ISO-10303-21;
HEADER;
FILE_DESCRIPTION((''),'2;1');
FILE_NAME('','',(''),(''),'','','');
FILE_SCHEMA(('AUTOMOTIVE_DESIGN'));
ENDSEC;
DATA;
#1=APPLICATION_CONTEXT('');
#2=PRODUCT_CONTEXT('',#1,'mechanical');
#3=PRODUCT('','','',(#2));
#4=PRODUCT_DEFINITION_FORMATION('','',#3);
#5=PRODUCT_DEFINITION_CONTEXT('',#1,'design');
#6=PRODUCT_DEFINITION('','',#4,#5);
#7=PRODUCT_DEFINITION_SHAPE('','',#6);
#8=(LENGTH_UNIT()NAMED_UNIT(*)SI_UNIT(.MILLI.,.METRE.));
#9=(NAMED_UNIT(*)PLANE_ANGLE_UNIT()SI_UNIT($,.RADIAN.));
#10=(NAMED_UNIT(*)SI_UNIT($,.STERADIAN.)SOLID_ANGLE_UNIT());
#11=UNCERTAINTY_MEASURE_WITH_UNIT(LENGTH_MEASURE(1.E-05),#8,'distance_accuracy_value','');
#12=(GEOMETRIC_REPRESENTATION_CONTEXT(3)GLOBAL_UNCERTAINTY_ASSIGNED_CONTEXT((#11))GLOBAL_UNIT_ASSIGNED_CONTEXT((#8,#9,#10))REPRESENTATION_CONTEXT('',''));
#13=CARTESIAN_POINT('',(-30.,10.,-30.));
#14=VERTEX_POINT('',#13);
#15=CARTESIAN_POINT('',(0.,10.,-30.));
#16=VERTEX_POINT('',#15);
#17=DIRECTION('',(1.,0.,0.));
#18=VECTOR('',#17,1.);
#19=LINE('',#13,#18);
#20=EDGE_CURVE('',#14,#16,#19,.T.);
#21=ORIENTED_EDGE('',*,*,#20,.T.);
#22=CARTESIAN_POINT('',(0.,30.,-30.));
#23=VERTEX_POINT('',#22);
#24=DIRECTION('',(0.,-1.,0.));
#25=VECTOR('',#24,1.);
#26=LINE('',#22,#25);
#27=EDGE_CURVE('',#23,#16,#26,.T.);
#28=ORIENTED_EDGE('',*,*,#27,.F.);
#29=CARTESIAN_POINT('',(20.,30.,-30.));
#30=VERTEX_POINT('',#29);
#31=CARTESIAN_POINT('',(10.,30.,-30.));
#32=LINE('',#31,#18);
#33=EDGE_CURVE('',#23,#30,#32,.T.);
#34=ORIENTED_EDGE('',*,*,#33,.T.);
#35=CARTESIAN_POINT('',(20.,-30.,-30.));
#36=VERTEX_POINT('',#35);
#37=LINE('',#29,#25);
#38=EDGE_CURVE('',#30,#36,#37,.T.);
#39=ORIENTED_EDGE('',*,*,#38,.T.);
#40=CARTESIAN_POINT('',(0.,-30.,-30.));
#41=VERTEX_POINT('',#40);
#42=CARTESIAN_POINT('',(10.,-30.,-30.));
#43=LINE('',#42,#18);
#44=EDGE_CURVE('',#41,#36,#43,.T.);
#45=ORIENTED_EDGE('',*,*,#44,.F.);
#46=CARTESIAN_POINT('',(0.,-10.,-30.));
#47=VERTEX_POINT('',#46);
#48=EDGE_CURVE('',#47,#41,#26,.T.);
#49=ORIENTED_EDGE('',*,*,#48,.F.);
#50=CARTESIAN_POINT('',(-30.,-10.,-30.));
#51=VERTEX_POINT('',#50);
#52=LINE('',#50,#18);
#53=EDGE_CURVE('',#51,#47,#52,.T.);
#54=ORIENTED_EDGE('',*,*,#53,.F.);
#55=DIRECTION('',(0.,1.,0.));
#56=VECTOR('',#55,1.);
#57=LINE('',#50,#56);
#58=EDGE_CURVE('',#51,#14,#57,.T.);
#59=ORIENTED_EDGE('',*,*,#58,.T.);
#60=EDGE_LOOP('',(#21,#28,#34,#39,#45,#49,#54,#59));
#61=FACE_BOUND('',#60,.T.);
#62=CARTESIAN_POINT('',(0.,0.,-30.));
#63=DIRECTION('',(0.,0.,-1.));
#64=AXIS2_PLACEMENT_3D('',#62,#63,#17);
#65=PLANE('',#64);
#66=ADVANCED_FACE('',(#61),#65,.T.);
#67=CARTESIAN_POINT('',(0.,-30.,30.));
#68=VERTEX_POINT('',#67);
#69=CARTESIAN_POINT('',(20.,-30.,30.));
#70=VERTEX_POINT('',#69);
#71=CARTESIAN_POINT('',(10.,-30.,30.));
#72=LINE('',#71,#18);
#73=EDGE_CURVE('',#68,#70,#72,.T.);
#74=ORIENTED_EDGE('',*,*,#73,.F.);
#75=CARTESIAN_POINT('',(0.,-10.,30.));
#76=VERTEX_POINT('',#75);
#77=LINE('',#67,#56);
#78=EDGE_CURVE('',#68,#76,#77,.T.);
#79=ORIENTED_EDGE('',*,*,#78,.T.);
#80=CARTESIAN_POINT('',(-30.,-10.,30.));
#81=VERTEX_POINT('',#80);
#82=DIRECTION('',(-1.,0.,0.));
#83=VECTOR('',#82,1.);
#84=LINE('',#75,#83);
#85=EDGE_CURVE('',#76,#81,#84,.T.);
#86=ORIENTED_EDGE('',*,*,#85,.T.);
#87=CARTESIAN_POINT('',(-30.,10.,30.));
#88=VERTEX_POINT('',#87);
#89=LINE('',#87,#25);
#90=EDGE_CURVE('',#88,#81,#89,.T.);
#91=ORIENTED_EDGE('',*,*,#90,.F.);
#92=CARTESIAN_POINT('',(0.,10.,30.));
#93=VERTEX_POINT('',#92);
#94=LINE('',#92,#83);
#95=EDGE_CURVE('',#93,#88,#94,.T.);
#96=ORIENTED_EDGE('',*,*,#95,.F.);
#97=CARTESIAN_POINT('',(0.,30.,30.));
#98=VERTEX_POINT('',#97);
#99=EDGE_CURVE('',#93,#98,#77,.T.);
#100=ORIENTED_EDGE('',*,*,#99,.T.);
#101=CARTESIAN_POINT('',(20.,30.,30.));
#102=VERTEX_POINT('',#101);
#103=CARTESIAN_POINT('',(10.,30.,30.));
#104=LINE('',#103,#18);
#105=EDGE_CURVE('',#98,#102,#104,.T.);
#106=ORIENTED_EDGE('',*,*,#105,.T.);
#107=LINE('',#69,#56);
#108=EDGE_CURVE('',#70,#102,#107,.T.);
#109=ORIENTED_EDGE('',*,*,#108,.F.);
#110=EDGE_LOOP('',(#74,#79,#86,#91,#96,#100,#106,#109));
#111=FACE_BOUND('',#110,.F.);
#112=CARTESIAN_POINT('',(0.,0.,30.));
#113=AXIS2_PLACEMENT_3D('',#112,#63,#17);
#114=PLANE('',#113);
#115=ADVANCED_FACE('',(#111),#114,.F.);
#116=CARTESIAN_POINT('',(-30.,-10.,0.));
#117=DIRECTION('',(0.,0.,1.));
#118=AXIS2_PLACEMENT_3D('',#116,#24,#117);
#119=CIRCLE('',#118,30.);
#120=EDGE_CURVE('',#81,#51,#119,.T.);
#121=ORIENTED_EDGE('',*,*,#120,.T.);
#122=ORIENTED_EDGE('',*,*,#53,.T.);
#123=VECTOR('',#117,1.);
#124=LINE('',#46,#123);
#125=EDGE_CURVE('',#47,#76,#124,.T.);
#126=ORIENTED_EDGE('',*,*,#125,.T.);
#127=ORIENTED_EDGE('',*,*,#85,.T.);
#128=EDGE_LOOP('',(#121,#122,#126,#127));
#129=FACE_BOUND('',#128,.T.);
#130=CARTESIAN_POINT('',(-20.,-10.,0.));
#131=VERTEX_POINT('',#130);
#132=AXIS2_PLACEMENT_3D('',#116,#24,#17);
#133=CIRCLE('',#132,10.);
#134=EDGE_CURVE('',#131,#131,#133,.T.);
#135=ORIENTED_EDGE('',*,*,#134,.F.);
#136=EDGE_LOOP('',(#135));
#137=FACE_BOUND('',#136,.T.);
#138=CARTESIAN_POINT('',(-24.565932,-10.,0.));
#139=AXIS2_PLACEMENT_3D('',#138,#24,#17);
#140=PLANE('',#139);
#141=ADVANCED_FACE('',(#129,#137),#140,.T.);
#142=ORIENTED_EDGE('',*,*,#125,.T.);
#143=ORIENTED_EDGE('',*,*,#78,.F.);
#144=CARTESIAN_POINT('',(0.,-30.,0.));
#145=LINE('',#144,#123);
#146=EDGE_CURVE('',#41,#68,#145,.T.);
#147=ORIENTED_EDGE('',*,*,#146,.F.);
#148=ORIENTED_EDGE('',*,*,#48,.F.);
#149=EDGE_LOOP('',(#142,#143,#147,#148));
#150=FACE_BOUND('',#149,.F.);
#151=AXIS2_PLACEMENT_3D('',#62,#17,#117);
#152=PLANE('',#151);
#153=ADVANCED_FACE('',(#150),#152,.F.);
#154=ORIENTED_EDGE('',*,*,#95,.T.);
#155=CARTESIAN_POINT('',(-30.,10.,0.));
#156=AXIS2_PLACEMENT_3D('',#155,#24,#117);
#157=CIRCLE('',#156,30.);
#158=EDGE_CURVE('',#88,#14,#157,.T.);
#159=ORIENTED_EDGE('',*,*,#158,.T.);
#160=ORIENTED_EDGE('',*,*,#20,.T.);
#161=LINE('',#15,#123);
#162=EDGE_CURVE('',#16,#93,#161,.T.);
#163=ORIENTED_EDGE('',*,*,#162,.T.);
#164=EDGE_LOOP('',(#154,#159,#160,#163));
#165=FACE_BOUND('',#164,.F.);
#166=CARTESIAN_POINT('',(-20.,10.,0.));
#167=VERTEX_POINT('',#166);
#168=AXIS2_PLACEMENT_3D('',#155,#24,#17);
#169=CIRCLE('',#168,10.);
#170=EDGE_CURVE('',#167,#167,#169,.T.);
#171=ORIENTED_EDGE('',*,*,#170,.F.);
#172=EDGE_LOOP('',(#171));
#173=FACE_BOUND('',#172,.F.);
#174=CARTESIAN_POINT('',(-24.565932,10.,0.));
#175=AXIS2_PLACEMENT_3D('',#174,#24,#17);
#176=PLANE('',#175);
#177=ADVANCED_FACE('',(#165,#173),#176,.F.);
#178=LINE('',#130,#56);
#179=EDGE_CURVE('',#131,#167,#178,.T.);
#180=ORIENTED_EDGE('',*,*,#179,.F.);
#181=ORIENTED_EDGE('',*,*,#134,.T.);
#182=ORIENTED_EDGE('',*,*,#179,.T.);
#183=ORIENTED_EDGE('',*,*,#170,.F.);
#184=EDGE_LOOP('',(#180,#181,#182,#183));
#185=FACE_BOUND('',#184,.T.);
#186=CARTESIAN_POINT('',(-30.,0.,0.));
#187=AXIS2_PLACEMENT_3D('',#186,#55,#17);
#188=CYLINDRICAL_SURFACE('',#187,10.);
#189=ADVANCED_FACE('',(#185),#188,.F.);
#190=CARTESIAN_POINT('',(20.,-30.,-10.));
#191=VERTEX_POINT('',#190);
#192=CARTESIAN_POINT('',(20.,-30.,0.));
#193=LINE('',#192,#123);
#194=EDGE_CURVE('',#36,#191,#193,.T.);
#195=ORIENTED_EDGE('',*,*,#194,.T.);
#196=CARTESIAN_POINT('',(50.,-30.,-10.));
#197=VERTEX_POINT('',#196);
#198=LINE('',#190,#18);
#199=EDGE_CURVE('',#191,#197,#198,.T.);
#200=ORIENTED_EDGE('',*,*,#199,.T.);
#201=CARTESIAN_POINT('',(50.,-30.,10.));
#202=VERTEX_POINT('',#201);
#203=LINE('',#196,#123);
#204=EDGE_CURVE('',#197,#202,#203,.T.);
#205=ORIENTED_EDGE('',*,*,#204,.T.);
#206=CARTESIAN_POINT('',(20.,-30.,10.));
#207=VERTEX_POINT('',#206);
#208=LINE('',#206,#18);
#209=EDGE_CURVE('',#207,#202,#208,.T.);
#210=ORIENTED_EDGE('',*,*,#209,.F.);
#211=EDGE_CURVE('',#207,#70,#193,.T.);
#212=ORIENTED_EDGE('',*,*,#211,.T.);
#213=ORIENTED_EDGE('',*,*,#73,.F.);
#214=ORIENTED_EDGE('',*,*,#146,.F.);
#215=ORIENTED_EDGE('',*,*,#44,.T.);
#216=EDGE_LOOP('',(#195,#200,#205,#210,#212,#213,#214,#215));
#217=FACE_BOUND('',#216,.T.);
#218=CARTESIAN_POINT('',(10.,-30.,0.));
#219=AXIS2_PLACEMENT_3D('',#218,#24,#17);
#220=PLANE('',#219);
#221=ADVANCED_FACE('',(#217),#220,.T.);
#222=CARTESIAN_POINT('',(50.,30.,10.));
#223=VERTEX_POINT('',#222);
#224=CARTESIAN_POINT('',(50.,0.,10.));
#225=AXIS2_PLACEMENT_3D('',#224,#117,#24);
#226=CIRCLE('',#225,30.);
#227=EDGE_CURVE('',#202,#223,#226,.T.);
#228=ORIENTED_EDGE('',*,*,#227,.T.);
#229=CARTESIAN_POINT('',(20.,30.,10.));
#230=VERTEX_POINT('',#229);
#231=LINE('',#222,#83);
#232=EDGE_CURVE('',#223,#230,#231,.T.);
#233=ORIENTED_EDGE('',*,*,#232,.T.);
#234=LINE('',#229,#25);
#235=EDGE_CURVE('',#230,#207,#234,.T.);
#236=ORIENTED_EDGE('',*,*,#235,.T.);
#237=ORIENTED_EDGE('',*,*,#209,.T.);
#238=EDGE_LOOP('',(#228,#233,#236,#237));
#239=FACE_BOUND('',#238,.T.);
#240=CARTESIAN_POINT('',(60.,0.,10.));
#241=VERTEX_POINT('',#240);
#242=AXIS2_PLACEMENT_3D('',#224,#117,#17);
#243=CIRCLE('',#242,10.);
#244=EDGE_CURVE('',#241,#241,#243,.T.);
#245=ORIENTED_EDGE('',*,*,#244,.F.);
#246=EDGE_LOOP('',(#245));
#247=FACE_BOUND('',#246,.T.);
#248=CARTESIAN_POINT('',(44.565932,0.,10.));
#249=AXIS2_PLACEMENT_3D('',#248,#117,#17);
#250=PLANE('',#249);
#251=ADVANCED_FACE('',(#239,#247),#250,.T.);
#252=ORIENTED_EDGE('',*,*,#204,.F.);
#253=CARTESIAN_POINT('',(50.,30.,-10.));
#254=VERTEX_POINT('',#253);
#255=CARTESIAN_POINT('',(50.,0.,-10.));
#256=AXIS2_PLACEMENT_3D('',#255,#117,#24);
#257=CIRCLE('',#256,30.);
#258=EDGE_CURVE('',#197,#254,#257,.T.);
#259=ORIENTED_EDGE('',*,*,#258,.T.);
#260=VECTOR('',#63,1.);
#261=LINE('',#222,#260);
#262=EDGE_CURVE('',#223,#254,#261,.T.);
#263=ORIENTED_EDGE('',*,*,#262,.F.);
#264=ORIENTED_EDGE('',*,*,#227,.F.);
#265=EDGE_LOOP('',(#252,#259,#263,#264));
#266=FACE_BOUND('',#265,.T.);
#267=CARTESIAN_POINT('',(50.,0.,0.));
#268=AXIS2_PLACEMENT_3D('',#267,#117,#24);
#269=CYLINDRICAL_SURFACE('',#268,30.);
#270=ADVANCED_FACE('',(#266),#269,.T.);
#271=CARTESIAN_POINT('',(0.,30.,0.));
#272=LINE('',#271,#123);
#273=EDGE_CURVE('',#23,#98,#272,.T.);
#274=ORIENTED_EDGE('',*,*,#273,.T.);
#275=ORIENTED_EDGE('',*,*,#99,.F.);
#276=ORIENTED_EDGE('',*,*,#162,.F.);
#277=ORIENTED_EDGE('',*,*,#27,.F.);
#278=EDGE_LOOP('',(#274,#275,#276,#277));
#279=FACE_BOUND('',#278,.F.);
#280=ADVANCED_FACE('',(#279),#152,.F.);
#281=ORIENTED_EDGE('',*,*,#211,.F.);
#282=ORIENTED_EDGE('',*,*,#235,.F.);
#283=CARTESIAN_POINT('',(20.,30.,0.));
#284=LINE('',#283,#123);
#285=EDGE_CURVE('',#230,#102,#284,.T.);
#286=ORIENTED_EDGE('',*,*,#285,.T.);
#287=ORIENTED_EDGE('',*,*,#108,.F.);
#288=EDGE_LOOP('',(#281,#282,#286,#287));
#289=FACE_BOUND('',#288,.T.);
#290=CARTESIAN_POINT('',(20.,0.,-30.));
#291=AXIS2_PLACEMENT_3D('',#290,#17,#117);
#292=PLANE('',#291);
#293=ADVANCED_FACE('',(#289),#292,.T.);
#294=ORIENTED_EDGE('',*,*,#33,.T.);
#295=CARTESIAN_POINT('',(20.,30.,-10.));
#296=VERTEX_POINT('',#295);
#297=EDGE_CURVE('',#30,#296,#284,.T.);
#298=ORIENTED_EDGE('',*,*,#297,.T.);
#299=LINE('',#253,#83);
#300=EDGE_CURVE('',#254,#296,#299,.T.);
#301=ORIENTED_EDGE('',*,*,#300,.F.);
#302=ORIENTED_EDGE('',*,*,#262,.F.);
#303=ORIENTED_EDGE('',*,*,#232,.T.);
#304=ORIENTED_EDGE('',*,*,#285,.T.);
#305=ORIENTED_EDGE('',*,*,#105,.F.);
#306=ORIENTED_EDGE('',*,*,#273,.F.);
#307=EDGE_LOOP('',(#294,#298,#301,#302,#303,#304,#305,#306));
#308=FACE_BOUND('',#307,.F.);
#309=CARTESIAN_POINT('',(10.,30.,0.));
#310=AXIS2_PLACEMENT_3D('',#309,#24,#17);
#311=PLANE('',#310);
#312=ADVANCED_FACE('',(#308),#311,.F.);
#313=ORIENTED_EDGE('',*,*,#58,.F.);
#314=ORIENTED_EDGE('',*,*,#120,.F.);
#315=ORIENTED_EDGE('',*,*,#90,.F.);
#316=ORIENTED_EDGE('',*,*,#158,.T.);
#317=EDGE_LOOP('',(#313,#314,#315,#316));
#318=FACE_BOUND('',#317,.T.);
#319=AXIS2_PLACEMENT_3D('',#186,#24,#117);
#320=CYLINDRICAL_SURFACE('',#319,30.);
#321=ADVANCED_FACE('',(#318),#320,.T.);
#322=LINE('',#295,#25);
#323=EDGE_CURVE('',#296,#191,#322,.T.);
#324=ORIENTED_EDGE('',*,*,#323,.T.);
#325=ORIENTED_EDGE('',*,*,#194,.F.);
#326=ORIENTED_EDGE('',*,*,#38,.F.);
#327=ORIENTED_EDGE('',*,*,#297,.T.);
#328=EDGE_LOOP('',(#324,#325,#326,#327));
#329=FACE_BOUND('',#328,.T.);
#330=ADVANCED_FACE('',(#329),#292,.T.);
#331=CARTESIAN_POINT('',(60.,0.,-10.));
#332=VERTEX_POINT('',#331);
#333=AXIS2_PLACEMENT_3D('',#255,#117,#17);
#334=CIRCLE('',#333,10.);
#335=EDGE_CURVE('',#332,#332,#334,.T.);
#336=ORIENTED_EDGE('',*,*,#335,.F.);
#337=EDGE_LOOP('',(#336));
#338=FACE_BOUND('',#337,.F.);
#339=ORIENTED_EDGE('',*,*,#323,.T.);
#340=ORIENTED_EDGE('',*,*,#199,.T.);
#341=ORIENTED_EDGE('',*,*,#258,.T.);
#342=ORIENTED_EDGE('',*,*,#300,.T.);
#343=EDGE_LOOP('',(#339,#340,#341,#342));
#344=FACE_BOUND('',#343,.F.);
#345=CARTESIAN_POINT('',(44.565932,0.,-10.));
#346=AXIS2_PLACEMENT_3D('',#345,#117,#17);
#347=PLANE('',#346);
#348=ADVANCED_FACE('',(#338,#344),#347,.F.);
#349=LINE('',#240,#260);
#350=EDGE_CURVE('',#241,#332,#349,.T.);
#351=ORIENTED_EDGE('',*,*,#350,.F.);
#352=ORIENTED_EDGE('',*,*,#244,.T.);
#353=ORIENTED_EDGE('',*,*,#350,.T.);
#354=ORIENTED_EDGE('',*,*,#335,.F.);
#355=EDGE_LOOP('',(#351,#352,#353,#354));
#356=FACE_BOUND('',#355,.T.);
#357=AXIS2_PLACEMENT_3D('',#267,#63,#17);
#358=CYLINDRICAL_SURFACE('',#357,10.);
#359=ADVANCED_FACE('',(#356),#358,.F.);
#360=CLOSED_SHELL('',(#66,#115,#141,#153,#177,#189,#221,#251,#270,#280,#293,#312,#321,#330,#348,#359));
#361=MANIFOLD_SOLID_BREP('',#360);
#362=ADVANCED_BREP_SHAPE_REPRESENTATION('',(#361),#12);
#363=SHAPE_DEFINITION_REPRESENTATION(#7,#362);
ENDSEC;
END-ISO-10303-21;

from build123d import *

# Parameters (mm, degrees)
F0_W     = 20
F0_H     = 60
F1_DEPTH = 30
F0_R     = 10
F2_DEPTH = 10
F3_R     = 10
F4_DEPTH = 10


with BuildPart() as f1:
    # F0 (on Front) → F1 (new body, symmetric)
    with BuildSketch(Plane.XZ):
        with Locations((10, 0)):
            Rectangle(F0_W, F0_H)
    extrude(amount=F1_DEPTH, both=True)

    # F0 (on Front) → F2 (join, symmetric)
    with BuildSketch(Plane.XZ):
        with BuildLine():
            Line((0, -30), (0, 30))
            Line((0, 30), (-30, 30))
            ThreePointArc((-30, 30), (-60, 0), (-30, -30))
            Line((-30, -30), (0, -30))
        make_face()
        with Locations((-30, 0)):
            Circle(F0_R, mode=Mode.SUBTRACT)
    extrude(amount=F2_DEPTH, both=True)

    # F3 (on Top) → F4 (join, symmetric)
    with BuildSketch(Plane.XY):
        with BuildLine():
            Line((20, 30), (20, -30))
            Line((20, -30), (50, -30))
            ThreePointArc((50, -30), (80, 0), (50, 30))
            Line((50, 30), (20, 30))
        make_face()
        with Locations((50, 0)):
            Circle(F3_R, mode=Mode.SUBTRACT)
    extrude(amount=F4_DEPTH, both=True)


solid = f1.part
